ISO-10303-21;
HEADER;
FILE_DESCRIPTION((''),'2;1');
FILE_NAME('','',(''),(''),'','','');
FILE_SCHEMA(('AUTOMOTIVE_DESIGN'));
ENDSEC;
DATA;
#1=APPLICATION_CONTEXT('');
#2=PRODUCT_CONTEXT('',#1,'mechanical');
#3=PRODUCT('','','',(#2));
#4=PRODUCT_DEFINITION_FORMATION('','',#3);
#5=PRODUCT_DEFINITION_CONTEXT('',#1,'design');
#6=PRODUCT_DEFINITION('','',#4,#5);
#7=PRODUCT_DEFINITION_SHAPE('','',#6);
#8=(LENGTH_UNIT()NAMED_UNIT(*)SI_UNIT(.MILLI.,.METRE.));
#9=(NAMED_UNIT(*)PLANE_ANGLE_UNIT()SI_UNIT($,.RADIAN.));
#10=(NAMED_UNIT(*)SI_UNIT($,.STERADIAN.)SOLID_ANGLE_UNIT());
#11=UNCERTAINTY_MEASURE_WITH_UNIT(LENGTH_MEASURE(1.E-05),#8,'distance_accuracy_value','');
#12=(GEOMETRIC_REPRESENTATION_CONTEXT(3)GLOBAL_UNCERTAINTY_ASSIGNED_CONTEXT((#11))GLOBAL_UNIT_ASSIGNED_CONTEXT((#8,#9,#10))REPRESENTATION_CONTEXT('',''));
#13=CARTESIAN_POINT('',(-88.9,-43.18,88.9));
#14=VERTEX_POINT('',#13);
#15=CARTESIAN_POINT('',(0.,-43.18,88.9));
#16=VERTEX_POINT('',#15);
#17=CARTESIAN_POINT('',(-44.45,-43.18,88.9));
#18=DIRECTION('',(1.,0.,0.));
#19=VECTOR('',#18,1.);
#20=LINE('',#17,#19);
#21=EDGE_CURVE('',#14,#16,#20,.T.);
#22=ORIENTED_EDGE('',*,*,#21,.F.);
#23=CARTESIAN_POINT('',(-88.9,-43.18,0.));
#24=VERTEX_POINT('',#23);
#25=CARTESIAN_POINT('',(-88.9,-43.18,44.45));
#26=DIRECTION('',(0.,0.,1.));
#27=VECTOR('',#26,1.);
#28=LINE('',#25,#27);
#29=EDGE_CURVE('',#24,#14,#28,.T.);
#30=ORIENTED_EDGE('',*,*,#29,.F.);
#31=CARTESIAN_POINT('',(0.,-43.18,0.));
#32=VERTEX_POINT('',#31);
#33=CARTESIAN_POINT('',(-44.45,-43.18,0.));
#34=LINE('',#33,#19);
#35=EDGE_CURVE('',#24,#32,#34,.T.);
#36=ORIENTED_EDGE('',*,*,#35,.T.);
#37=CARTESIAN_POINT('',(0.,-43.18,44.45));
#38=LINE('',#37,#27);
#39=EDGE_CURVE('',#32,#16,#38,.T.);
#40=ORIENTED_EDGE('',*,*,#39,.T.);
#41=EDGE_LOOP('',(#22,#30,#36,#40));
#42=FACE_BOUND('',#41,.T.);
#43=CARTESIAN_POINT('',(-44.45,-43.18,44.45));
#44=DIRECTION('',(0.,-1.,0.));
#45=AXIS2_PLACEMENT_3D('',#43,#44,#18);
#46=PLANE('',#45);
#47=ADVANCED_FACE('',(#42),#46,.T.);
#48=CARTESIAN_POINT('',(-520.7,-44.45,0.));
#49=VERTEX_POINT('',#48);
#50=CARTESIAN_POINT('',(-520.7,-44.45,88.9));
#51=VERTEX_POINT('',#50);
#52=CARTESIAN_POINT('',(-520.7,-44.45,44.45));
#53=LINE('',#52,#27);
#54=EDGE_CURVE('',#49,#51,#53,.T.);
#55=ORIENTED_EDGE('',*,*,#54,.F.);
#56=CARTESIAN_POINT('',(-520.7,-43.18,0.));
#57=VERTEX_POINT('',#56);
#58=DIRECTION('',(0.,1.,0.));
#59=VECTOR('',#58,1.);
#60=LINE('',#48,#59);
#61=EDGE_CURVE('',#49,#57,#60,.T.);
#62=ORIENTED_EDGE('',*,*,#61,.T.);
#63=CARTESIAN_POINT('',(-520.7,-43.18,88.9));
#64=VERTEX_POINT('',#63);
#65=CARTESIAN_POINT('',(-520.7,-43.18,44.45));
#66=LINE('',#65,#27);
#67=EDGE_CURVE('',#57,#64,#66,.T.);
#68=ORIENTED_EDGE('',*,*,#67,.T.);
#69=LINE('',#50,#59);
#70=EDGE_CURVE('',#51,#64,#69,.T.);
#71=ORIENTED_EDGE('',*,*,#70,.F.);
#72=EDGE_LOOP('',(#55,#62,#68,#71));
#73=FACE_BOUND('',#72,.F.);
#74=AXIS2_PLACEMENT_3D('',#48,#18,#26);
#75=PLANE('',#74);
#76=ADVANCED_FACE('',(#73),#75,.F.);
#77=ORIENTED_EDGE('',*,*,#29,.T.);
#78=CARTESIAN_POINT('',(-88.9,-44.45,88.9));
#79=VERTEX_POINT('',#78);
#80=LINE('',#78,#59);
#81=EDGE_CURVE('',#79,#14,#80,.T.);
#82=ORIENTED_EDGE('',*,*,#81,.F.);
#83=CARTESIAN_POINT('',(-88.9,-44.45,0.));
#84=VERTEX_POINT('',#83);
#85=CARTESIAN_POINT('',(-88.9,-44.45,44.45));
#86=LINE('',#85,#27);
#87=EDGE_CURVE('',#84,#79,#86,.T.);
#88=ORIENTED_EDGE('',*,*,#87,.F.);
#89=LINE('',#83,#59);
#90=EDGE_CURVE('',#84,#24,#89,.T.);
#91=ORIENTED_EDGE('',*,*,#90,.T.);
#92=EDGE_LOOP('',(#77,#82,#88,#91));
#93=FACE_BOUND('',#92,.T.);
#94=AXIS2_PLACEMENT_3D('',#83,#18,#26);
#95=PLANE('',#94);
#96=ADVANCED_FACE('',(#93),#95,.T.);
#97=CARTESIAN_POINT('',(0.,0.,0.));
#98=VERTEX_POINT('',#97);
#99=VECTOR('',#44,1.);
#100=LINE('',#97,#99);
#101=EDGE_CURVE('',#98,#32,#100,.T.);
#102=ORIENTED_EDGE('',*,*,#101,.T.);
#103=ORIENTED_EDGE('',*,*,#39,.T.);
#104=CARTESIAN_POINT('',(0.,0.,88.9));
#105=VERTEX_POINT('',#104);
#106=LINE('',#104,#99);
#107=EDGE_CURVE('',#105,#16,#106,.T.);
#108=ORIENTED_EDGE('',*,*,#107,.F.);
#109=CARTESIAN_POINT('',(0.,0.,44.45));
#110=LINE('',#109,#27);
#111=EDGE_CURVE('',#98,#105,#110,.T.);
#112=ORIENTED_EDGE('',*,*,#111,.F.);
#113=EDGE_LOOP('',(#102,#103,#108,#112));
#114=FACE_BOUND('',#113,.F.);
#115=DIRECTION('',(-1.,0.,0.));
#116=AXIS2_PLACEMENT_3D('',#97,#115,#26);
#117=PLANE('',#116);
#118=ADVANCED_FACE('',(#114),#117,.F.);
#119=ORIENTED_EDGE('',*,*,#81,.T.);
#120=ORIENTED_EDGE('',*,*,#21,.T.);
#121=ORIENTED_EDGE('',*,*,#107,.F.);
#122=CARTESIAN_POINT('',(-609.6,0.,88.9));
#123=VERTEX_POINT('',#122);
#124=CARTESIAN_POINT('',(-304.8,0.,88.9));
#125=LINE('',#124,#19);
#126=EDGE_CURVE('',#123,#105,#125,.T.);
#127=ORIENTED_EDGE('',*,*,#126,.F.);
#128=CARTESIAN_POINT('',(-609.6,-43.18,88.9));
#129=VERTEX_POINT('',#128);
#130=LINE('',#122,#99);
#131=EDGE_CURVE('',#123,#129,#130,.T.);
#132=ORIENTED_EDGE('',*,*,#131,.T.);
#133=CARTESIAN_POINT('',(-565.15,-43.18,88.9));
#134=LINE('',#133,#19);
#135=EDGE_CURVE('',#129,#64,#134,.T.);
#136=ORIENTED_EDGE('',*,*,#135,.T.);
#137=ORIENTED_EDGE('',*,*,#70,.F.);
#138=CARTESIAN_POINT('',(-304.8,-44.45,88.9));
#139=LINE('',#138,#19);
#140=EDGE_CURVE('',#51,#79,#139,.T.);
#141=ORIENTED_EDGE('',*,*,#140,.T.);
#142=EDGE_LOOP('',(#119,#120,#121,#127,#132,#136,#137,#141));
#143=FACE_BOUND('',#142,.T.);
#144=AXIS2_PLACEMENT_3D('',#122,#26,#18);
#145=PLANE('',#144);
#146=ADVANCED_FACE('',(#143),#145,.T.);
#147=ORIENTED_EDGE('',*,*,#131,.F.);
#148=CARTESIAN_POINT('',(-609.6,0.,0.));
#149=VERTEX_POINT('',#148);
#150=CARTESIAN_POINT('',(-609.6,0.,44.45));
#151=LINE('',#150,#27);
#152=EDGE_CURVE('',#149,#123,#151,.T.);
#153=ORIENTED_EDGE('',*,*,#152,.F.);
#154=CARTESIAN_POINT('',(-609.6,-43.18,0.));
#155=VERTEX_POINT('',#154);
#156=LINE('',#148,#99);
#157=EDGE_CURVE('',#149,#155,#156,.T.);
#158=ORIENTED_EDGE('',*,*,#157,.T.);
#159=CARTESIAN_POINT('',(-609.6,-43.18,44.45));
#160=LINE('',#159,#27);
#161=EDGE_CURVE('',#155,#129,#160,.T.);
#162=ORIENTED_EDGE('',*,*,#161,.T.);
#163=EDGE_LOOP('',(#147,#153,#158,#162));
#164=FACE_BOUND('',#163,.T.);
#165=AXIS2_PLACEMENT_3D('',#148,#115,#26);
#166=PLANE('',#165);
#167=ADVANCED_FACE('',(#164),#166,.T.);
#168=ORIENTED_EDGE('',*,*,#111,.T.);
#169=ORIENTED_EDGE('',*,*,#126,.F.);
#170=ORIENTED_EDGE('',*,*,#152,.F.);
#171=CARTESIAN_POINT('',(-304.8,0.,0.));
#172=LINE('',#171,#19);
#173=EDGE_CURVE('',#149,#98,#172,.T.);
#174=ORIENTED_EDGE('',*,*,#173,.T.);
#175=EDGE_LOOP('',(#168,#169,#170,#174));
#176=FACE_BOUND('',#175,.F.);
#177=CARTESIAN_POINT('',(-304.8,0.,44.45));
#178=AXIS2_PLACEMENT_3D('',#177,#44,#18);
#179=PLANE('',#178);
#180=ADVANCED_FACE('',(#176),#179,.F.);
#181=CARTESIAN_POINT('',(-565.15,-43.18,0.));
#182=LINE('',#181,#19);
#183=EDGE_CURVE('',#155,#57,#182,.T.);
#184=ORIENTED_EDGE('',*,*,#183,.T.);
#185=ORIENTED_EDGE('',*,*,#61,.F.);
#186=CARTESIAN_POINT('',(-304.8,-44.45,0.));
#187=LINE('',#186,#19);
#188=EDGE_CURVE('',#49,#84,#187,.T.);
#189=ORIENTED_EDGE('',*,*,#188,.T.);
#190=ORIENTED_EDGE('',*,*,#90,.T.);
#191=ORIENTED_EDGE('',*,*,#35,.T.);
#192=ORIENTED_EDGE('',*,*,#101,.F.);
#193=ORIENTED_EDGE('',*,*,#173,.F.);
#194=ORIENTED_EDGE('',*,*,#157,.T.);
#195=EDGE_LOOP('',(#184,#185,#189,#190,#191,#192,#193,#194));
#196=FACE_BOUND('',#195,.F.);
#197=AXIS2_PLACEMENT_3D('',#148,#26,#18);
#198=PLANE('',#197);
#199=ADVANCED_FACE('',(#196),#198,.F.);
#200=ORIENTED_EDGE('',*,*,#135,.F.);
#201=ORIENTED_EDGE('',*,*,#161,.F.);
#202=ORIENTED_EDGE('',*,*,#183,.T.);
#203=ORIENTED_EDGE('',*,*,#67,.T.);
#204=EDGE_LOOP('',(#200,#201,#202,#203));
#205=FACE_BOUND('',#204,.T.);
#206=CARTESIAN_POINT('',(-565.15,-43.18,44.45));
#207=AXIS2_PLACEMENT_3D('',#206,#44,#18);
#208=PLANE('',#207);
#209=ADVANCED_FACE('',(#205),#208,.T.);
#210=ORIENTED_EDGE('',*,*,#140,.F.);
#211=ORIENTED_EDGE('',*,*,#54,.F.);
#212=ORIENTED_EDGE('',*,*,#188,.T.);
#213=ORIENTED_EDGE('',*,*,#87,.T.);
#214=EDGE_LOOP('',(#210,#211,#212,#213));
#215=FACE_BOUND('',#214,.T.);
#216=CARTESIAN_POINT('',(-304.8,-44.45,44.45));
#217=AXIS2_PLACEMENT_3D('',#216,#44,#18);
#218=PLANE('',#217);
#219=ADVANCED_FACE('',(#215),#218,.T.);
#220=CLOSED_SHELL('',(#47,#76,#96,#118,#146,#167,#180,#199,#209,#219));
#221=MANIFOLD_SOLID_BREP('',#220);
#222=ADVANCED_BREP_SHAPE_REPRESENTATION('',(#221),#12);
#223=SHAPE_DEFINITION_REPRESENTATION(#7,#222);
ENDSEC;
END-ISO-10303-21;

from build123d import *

# Parameters (mm, degrees)
F0_W     = 609.6
F0_H     = 88.9
F1_DEPTH = 44.45
F2_W     = 88.9
F2_H     = 88.9
F3_DEPTH = 1.27
F4_DEPTH = 1.27


with BuildPart() as f1:
    # F0 (on Front) → F1 (new body)
    with BuildSketch(Plane.XZ):
        with Locations((-304.8, 44.45)):
            Rectangle(F0_W, F0_H)
    extrude(amount=F1_DEPTH)

    # F2 (on face) → F3 (cut)
    with BuildSketch(Plane.XZ.offset(44.45)):
        with Locations((-565.15, 44.45)):
            Rectangle(F2_W, F2_H)
    extrude(amount=-F3_DEPTH, mode=Mode.SUBTRACT)

    # F2 (on face) → F4 (cut)
    with BuildSketch(Plane.XZ.offset(44.45)):
        with Locations((-44.45, 44.45)):
            Rectangle(F2_W, F2_H)
    extrude(amount=-F4_DEPTH, mode=Mode.SUBTRACT)


solid = f1.part
